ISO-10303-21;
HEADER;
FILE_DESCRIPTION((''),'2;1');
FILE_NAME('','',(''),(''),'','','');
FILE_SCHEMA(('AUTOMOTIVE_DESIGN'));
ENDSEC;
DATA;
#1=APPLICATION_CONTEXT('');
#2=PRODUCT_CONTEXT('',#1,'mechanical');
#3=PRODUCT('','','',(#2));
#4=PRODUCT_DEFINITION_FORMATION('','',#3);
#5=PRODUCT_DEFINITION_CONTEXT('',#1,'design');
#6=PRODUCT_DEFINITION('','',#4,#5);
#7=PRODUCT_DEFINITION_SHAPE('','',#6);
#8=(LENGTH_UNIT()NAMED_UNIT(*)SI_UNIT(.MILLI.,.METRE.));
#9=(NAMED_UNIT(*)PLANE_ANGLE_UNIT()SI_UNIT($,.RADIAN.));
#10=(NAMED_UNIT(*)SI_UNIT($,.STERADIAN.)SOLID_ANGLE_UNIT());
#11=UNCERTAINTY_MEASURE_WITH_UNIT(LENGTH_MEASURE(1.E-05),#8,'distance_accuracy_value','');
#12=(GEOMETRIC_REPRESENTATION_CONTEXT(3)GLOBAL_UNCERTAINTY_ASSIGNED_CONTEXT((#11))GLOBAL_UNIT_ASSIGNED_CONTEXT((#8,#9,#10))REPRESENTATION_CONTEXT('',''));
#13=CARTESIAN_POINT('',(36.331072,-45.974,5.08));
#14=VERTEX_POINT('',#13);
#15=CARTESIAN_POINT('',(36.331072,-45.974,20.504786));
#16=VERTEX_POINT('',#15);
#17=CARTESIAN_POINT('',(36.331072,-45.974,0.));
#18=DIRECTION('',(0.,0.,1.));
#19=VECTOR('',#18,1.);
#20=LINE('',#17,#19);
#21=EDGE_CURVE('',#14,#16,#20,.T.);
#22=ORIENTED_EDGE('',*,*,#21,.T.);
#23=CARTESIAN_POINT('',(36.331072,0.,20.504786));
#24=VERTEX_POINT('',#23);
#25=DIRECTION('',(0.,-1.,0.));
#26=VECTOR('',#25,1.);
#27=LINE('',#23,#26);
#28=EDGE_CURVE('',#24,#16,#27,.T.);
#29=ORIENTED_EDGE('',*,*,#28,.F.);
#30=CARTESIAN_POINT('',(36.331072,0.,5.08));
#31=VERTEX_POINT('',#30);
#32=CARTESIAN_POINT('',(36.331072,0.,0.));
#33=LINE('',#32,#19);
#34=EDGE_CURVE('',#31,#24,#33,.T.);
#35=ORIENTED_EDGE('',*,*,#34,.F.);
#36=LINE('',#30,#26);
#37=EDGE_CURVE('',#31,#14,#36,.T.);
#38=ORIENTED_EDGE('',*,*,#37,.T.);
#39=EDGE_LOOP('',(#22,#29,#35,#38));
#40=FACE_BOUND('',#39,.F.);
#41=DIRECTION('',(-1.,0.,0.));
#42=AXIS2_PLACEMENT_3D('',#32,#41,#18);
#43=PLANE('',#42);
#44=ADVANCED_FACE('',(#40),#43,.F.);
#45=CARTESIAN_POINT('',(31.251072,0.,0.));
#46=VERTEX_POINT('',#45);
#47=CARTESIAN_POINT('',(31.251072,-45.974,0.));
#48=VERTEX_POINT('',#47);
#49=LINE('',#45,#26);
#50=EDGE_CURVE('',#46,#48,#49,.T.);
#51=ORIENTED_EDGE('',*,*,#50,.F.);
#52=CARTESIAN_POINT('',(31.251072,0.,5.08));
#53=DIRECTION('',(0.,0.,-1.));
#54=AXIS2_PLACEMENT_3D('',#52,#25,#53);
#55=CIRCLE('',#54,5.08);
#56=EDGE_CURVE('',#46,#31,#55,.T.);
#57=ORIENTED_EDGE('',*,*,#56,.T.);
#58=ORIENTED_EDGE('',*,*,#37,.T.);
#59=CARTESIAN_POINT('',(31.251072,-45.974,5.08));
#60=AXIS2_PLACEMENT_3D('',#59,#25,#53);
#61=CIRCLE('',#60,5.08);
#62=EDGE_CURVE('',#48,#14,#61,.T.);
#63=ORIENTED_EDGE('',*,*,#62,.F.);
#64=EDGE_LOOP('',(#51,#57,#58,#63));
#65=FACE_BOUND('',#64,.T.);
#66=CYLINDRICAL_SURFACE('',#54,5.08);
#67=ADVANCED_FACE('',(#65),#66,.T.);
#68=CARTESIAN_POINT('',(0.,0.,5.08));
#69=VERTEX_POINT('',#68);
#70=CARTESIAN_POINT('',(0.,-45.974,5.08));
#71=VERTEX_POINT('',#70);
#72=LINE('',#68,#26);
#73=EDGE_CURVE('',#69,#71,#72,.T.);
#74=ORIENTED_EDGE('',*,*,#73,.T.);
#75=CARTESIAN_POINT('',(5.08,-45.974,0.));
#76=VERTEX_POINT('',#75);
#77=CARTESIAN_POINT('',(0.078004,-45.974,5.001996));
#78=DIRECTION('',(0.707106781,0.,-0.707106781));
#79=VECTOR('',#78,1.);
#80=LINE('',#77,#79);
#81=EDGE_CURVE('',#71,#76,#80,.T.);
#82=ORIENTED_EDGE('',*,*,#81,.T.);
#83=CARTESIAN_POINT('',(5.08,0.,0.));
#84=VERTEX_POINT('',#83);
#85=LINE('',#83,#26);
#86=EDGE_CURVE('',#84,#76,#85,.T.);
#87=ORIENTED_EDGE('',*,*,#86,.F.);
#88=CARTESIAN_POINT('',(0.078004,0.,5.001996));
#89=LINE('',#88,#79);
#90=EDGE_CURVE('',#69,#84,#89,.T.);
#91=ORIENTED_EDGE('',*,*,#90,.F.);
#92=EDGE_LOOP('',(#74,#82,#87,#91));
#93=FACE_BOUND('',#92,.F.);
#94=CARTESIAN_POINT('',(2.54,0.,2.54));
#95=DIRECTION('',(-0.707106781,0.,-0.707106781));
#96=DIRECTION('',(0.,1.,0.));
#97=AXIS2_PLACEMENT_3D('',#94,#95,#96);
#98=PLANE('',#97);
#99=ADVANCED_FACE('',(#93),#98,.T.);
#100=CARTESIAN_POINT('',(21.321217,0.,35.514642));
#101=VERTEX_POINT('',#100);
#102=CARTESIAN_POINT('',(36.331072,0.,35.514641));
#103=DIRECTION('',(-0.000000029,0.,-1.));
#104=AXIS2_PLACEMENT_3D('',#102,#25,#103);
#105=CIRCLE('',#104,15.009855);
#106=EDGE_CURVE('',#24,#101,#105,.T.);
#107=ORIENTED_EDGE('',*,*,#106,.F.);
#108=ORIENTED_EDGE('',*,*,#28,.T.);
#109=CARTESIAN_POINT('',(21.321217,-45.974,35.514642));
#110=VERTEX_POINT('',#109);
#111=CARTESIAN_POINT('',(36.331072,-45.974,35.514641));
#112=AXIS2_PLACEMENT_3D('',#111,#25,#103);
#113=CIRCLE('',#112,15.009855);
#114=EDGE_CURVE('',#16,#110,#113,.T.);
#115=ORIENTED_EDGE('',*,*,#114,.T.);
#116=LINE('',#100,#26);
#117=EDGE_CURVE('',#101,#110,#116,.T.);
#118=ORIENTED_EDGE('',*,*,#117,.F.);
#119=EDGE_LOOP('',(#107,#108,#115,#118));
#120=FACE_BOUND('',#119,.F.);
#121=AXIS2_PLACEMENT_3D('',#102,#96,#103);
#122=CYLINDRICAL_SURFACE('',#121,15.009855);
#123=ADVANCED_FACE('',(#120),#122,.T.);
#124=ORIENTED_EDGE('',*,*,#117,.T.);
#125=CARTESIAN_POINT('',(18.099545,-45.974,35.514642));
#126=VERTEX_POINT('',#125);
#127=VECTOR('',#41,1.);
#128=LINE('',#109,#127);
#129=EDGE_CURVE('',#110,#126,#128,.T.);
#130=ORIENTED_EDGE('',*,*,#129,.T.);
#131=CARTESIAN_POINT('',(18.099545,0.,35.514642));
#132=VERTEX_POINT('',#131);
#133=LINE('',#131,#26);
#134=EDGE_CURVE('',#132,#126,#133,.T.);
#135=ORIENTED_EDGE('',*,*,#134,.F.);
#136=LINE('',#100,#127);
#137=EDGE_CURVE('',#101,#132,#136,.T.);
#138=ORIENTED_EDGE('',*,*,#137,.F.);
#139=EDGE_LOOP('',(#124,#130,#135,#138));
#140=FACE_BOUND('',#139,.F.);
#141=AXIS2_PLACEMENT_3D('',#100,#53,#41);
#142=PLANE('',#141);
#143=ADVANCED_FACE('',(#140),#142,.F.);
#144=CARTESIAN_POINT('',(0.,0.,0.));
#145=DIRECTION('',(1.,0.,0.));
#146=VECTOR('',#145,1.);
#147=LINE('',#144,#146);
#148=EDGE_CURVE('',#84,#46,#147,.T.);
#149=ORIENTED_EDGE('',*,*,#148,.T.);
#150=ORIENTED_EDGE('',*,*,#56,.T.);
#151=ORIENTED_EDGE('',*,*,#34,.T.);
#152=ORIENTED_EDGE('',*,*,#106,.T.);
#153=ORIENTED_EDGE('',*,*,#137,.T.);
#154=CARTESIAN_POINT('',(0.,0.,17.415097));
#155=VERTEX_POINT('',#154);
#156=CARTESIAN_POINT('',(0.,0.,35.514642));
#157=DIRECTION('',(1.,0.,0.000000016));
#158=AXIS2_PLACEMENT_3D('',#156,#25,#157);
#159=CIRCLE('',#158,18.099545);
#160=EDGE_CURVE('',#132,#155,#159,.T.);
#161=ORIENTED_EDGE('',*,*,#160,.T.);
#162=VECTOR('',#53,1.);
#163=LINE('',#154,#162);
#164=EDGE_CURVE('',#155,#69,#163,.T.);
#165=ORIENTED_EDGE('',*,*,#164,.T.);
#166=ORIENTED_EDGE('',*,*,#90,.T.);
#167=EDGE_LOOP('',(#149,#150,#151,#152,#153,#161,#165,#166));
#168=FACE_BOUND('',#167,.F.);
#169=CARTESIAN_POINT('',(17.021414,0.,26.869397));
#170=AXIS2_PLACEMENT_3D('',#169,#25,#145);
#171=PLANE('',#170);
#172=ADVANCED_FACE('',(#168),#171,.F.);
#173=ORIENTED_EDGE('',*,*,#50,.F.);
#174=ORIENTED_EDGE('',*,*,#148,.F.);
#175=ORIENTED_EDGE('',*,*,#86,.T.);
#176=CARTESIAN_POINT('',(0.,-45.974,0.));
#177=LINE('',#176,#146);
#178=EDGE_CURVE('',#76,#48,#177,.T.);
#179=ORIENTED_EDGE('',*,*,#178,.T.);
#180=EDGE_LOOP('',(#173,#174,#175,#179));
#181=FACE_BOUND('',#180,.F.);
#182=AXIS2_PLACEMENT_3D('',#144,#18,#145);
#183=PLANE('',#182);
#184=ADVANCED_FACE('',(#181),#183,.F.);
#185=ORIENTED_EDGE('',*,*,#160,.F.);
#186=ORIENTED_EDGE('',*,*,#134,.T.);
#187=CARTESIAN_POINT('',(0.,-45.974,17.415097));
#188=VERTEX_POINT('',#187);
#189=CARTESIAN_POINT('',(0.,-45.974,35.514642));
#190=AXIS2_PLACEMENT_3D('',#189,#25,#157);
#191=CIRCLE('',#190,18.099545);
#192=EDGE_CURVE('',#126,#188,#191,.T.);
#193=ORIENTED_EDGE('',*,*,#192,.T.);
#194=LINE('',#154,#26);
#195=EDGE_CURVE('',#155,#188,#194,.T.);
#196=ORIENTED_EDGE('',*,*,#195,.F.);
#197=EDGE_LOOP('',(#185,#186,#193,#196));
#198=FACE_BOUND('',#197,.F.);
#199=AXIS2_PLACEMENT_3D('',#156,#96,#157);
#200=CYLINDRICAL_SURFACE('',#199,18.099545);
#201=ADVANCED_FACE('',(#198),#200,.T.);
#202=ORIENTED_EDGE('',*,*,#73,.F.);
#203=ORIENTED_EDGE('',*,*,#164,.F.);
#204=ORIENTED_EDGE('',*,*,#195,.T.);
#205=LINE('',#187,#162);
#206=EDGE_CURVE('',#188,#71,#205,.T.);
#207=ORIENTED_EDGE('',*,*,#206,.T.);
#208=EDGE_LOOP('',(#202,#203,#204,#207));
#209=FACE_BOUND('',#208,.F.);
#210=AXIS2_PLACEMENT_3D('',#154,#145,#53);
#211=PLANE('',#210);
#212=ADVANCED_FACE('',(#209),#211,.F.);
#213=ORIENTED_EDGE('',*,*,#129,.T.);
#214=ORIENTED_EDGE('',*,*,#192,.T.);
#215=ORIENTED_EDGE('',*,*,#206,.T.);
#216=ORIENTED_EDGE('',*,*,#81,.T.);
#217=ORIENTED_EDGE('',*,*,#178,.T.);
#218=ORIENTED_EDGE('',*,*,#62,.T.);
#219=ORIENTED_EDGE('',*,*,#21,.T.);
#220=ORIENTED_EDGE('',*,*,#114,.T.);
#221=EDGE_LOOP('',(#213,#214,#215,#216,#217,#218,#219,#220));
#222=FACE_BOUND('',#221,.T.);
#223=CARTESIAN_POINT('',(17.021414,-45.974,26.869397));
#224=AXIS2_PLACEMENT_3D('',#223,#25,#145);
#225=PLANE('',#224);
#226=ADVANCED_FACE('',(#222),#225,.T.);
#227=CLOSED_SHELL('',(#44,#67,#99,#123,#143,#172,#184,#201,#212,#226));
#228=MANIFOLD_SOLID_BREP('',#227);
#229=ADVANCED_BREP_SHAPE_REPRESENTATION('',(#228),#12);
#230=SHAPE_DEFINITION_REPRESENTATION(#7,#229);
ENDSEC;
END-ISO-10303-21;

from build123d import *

# Parameters (mm, degrees)
F1_DEPTH = 45.974
F2_SIZE  = 5.08
F3_R     = 5.08


with BuildPart() as f1:
    # F0 (on Front) → F1 (new body)
    with BuildSketch(Plane.XZ):
        with BuildLine():
            Line((0, 17.415097), (0, 0))
            Line((0, 0), (36.331072, 0))
            Line((36.331072, 0), (36.331072, 20.504786))
            ThreePointArc((36.331072, 20.504786), (46.944643, 46.128212), (21.321217, 35.514642))
            Line((21.321217, 35.514642), (18.099545, 35.514642))
            ThreePointArc((18.099545, 35.514642), (-12.798311, 48.312952), (0, 17.415097))
        make_face()
    extrude(amount=F1_DEPTH)

    # F2
    f2_edges = [f1.edges().sort_by_distance(p)[0] for p in [
        (0, -22.987, 0),
    ]]
    chamfer(f2_edges, length=F2_SIZE)

    # F3
    f3_edges = [f1.edges().sort_by_distance(p)[0] for p in [
        (36.331072, -22.987, 0),
    ]]
    fillet(f3_edges, radius=F3_R)


solid = f1.part
